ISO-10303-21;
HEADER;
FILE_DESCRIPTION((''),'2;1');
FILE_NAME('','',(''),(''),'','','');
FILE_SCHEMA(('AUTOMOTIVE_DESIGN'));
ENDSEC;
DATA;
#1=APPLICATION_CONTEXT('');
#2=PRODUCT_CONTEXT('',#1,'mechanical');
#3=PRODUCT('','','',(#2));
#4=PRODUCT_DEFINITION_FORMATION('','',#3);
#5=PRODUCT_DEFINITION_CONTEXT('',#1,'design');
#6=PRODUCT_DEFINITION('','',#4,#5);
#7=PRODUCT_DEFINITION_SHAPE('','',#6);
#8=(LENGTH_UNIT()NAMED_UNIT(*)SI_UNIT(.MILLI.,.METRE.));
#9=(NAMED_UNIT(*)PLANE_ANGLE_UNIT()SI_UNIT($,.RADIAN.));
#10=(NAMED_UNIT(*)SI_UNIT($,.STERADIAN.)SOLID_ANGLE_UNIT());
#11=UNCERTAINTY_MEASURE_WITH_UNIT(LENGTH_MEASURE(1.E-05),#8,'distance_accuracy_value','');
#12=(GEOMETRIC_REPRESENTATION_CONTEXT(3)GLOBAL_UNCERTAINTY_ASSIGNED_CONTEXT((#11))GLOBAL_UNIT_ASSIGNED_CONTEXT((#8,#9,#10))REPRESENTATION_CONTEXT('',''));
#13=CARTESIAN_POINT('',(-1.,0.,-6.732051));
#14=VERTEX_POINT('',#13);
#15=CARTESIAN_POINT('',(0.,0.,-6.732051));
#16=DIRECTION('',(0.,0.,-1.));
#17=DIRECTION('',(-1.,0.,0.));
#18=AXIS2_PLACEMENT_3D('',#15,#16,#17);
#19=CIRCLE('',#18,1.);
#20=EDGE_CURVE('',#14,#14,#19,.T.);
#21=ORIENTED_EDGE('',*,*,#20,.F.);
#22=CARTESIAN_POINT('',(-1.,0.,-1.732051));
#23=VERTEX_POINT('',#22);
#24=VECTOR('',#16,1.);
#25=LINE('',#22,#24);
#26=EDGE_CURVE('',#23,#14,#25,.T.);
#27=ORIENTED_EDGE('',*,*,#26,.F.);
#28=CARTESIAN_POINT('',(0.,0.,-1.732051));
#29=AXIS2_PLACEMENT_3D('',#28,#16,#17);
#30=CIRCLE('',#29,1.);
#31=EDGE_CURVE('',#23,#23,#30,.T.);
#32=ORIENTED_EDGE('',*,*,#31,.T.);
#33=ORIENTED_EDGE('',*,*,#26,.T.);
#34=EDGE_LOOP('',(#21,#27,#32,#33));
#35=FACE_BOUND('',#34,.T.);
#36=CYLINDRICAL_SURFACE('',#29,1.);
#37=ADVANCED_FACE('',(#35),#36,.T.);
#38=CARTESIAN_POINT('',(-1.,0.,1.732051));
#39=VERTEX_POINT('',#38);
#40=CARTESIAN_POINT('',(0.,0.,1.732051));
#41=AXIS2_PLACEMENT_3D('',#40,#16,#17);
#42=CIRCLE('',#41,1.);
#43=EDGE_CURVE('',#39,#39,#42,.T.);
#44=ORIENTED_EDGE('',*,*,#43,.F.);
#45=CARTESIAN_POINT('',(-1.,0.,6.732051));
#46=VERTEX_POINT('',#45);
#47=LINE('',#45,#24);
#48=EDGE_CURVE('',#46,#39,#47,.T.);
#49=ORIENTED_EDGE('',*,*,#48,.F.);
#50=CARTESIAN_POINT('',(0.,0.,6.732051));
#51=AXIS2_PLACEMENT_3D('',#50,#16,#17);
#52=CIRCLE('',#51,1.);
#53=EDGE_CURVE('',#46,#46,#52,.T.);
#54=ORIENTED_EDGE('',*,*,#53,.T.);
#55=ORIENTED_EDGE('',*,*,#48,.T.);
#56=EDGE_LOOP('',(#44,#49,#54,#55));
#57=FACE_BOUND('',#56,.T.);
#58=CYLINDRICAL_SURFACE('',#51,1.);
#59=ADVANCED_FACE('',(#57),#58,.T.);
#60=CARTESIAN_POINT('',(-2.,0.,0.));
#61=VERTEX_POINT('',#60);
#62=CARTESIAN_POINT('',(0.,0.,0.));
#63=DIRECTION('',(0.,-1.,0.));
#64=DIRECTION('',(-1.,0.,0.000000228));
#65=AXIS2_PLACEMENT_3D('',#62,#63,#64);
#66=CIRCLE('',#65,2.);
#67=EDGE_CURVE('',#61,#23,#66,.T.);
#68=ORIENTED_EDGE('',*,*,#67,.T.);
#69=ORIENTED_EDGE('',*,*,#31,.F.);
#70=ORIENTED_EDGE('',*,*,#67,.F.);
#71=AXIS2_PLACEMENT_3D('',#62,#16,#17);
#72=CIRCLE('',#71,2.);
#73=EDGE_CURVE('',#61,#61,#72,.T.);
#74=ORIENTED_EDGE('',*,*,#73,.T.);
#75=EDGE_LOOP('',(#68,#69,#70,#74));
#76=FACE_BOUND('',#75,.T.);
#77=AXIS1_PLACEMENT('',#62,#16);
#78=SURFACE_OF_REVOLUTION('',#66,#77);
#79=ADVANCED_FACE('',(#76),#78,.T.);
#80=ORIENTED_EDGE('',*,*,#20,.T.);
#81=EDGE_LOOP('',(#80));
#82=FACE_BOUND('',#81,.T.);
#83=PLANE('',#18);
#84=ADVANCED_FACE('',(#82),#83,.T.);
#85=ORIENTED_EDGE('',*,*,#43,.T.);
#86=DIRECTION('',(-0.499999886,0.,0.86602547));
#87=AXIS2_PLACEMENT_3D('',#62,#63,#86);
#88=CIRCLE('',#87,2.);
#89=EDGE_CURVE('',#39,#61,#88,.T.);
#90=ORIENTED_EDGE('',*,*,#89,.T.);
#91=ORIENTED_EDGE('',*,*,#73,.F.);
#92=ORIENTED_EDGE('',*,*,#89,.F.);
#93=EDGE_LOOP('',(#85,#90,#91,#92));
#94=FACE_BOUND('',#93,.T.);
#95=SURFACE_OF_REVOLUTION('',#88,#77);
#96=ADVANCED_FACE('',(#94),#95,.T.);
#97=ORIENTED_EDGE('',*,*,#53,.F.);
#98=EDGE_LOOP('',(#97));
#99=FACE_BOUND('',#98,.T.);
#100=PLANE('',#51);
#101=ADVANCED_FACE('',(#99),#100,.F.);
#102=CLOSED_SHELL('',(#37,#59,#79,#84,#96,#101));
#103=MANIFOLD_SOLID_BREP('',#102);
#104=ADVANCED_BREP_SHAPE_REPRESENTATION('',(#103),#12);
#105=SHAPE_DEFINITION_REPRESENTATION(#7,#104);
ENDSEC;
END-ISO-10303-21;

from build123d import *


with BuildPart() as f1:
    # F0 (on Front) → F1 (revolve)
    with BuildSketch(Plane.XZ):
        with BuildLine():
            ThreePointArc((-1, 1.732051), (-1.732051, 1), (-2, 0))
            ThreePointArc((-2, 0), (-1.732051, -1), (-1, -1.732051))
            Line((-1, -1.732051), (-1, -6.732051))
            Line((-1, -6.732051), (0, -6.732051))
            Line((0, -6.732051), (0, 6.732051))
            Line((0, 6.732051), (-1, 6.732051))
            Line((-1, 6.732051), (-1, 1.732051))
        make_face()
    revolve(axis=Axis((0, 0, 0), (0, 0, -1)))


solid = f1.part
